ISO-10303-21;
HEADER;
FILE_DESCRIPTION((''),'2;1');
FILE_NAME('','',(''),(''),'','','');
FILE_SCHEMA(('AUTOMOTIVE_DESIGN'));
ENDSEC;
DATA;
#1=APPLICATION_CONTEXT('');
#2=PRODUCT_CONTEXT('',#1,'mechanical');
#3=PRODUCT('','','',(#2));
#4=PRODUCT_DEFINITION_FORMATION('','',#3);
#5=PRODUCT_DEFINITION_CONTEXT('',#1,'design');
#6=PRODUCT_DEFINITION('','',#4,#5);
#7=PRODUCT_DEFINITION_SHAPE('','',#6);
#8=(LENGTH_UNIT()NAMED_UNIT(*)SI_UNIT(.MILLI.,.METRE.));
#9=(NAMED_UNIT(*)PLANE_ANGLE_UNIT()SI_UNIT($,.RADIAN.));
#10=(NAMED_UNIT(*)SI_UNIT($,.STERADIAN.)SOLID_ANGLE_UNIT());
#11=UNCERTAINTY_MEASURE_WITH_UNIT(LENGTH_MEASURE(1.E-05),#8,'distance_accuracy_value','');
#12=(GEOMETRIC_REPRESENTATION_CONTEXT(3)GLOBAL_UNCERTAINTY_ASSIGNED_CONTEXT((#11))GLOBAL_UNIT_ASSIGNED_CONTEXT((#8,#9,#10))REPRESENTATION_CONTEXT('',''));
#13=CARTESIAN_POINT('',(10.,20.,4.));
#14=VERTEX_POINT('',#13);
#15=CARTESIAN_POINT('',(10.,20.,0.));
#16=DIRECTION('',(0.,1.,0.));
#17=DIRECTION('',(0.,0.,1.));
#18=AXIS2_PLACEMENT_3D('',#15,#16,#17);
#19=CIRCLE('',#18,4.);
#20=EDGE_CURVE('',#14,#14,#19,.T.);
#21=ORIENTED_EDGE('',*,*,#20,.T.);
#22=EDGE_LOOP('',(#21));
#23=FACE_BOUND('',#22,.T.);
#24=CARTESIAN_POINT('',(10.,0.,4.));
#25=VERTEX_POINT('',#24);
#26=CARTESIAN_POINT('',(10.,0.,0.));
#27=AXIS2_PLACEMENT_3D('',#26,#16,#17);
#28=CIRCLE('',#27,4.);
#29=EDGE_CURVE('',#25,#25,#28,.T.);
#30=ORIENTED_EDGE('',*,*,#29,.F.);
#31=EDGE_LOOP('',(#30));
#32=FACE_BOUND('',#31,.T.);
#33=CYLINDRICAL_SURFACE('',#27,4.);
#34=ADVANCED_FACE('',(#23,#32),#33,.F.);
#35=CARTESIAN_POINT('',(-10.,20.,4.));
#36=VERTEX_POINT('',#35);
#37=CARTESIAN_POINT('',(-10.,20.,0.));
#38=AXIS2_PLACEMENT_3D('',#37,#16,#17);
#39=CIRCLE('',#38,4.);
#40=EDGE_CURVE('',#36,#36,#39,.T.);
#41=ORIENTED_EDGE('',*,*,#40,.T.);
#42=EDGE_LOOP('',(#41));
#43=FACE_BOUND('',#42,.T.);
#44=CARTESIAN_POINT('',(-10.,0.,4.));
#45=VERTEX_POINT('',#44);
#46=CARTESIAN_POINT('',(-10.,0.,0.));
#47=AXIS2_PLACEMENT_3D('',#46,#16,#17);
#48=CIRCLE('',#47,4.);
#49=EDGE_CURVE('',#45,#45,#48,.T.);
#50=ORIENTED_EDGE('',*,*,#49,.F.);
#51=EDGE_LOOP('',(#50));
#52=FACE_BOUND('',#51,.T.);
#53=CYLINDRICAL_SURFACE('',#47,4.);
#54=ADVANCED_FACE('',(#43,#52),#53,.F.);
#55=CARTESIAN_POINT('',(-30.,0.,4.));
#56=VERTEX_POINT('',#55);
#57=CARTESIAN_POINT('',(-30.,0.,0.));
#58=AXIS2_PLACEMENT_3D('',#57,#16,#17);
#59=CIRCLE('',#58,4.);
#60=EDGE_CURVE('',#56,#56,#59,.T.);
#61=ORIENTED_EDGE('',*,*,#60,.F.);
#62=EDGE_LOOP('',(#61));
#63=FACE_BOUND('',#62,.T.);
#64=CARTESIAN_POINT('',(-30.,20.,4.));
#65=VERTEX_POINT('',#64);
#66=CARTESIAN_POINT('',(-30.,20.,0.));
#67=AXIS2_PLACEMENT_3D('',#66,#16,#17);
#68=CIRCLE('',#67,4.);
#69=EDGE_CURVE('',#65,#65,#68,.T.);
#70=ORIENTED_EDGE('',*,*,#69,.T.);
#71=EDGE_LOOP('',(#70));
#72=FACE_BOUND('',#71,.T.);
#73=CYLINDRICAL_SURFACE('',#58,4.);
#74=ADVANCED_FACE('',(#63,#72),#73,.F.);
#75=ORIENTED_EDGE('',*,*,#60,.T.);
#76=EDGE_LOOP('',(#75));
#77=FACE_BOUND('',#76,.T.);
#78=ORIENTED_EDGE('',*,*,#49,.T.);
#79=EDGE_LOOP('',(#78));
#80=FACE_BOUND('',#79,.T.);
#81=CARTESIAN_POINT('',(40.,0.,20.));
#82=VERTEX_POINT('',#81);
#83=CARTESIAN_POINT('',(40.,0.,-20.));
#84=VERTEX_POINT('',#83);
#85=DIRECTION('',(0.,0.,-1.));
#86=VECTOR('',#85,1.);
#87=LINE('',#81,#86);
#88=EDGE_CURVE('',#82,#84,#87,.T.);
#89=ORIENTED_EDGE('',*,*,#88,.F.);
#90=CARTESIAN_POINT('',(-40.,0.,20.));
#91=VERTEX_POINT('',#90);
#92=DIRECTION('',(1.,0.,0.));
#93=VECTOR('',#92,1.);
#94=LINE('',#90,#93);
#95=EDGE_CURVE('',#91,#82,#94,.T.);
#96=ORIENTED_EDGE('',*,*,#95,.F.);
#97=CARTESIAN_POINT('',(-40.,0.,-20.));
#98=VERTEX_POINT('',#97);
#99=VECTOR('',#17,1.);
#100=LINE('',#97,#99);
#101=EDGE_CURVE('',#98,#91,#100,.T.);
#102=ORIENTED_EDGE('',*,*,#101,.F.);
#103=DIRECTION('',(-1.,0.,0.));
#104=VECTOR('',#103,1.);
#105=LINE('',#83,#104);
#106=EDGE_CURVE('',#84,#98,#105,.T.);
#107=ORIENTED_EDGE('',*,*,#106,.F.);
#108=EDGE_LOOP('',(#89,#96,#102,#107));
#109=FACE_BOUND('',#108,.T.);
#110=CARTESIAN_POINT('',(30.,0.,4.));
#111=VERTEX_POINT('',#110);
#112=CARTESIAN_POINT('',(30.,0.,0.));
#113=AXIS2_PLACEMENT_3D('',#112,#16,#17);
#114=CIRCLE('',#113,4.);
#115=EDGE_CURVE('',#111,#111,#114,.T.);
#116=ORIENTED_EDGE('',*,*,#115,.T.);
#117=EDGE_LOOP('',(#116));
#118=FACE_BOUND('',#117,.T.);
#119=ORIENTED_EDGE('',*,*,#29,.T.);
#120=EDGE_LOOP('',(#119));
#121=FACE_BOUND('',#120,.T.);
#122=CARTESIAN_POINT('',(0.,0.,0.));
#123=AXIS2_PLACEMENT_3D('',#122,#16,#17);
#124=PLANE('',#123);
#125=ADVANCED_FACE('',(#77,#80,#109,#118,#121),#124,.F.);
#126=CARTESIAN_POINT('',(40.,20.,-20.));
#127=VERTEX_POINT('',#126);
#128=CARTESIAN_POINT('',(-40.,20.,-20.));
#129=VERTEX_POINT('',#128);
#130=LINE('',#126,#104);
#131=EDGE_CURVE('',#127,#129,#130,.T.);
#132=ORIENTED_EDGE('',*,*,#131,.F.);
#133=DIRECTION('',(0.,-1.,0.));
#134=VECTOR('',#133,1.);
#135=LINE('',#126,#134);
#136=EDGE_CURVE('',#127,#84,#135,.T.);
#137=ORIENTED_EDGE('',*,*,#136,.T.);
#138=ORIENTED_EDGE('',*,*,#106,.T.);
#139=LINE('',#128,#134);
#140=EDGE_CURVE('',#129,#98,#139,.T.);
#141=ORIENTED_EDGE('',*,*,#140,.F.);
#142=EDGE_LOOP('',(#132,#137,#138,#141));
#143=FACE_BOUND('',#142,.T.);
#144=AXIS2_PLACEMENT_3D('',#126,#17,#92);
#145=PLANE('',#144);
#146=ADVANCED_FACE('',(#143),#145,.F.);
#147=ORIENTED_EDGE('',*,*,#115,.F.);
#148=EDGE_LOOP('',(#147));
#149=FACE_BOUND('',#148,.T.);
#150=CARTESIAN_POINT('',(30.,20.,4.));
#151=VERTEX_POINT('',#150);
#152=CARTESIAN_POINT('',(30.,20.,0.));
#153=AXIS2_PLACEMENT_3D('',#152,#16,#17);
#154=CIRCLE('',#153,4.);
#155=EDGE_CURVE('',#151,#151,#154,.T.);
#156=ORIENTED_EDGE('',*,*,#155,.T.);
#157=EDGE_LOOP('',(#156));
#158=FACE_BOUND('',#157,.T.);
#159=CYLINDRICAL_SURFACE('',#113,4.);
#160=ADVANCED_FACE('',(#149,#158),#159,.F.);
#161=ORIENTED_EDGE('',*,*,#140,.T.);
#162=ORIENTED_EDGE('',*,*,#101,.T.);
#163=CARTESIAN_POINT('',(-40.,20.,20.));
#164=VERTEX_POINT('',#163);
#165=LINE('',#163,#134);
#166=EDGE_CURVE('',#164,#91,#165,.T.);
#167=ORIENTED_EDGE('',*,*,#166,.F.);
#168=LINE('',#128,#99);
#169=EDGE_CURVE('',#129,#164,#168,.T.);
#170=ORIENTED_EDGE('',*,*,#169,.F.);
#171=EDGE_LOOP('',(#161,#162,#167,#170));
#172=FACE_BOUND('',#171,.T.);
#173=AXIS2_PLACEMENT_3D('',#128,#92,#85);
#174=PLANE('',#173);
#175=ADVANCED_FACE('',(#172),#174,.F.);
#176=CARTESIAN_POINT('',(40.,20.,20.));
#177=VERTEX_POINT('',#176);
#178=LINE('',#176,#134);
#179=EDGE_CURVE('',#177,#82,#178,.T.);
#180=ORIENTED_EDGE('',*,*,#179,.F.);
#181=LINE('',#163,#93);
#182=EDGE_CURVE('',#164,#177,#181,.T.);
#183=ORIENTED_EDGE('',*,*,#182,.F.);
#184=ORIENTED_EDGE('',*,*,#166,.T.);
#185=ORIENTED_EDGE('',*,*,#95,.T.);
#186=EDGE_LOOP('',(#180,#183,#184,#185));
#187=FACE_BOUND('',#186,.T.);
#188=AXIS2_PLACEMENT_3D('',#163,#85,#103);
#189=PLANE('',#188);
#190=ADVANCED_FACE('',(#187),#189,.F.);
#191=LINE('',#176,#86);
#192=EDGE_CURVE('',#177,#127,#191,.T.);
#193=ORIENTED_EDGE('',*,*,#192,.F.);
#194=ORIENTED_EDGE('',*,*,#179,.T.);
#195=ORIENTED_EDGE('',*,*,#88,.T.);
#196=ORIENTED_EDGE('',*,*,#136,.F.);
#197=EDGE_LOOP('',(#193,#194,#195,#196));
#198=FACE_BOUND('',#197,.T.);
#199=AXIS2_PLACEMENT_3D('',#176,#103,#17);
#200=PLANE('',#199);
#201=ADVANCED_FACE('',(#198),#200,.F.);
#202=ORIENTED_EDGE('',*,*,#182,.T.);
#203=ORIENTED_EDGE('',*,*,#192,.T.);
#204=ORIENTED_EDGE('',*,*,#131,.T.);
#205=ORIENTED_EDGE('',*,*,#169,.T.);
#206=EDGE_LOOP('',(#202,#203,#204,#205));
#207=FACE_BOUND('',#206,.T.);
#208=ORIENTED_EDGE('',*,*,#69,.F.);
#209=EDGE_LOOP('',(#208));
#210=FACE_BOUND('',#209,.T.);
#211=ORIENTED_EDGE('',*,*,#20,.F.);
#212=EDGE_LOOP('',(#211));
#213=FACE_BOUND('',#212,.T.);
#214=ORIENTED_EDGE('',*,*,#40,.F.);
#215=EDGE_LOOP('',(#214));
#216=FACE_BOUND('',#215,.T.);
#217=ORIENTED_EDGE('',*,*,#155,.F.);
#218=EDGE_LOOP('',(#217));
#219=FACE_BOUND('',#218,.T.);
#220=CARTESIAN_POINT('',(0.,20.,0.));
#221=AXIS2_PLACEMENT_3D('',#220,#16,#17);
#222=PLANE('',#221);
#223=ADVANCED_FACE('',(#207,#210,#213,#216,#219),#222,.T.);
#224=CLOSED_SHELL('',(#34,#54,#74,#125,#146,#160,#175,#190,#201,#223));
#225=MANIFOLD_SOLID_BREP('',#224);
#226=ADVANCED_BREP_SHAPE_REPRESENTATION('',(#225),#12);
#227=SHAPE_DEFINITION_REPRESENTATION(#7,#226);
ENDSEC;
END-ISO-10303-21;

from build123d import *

# Parameters (mm, degrees)
SKETCH1_W           = 80
SKETCH1_H           = 40
BOSS_EXTRUDE1_DEPTH = 20
SKETCH2_R           = 4
CUT_EXTRUDE1_DEPTH  = 49.989794856
LPATTERN1_COUNT     = 4
LPATTERN1_PITCH     = 20


with BuildPart() as part:
    # Sketch1 → Boss-Extrude1 (new body)
    with BuildSketch(Plane(origin=(0, 0, 0), x_dir=(1, 0, 0), z_dir=(0, 1, 0))):
        Rectangle(SKETCH1_W, SKETCH1_H)
    extrude(amount=BOSS_EXTRUDE1_DEPTH)

    # Sketch2 → Cut-Extrude1 (cut, through all)
    with BuildSketch(Plane(origin=(0, 20, 0), x_dir=(1, 0, 0), z_dir=(0, 1, 0))):
        with Locations(Location((-30, 0, 0), (0, 0, 270))):
            Circle(SKETCH2_R)
    cut_extrude1 = extrude(amount=-CUT_EXTRUDE1_DEPTH, mode=Mode.SUBTRACT)

    # LPattern1: Cut-Extrude1 ×4
    with Locations(*[(i * LPATTERN1_PITCH, 0, 0) for i in range(1, LPATTERN1_COUNT)]):
        add(cut_extrude1, mode=Mode.SUBTRACT)


solid = part.part
